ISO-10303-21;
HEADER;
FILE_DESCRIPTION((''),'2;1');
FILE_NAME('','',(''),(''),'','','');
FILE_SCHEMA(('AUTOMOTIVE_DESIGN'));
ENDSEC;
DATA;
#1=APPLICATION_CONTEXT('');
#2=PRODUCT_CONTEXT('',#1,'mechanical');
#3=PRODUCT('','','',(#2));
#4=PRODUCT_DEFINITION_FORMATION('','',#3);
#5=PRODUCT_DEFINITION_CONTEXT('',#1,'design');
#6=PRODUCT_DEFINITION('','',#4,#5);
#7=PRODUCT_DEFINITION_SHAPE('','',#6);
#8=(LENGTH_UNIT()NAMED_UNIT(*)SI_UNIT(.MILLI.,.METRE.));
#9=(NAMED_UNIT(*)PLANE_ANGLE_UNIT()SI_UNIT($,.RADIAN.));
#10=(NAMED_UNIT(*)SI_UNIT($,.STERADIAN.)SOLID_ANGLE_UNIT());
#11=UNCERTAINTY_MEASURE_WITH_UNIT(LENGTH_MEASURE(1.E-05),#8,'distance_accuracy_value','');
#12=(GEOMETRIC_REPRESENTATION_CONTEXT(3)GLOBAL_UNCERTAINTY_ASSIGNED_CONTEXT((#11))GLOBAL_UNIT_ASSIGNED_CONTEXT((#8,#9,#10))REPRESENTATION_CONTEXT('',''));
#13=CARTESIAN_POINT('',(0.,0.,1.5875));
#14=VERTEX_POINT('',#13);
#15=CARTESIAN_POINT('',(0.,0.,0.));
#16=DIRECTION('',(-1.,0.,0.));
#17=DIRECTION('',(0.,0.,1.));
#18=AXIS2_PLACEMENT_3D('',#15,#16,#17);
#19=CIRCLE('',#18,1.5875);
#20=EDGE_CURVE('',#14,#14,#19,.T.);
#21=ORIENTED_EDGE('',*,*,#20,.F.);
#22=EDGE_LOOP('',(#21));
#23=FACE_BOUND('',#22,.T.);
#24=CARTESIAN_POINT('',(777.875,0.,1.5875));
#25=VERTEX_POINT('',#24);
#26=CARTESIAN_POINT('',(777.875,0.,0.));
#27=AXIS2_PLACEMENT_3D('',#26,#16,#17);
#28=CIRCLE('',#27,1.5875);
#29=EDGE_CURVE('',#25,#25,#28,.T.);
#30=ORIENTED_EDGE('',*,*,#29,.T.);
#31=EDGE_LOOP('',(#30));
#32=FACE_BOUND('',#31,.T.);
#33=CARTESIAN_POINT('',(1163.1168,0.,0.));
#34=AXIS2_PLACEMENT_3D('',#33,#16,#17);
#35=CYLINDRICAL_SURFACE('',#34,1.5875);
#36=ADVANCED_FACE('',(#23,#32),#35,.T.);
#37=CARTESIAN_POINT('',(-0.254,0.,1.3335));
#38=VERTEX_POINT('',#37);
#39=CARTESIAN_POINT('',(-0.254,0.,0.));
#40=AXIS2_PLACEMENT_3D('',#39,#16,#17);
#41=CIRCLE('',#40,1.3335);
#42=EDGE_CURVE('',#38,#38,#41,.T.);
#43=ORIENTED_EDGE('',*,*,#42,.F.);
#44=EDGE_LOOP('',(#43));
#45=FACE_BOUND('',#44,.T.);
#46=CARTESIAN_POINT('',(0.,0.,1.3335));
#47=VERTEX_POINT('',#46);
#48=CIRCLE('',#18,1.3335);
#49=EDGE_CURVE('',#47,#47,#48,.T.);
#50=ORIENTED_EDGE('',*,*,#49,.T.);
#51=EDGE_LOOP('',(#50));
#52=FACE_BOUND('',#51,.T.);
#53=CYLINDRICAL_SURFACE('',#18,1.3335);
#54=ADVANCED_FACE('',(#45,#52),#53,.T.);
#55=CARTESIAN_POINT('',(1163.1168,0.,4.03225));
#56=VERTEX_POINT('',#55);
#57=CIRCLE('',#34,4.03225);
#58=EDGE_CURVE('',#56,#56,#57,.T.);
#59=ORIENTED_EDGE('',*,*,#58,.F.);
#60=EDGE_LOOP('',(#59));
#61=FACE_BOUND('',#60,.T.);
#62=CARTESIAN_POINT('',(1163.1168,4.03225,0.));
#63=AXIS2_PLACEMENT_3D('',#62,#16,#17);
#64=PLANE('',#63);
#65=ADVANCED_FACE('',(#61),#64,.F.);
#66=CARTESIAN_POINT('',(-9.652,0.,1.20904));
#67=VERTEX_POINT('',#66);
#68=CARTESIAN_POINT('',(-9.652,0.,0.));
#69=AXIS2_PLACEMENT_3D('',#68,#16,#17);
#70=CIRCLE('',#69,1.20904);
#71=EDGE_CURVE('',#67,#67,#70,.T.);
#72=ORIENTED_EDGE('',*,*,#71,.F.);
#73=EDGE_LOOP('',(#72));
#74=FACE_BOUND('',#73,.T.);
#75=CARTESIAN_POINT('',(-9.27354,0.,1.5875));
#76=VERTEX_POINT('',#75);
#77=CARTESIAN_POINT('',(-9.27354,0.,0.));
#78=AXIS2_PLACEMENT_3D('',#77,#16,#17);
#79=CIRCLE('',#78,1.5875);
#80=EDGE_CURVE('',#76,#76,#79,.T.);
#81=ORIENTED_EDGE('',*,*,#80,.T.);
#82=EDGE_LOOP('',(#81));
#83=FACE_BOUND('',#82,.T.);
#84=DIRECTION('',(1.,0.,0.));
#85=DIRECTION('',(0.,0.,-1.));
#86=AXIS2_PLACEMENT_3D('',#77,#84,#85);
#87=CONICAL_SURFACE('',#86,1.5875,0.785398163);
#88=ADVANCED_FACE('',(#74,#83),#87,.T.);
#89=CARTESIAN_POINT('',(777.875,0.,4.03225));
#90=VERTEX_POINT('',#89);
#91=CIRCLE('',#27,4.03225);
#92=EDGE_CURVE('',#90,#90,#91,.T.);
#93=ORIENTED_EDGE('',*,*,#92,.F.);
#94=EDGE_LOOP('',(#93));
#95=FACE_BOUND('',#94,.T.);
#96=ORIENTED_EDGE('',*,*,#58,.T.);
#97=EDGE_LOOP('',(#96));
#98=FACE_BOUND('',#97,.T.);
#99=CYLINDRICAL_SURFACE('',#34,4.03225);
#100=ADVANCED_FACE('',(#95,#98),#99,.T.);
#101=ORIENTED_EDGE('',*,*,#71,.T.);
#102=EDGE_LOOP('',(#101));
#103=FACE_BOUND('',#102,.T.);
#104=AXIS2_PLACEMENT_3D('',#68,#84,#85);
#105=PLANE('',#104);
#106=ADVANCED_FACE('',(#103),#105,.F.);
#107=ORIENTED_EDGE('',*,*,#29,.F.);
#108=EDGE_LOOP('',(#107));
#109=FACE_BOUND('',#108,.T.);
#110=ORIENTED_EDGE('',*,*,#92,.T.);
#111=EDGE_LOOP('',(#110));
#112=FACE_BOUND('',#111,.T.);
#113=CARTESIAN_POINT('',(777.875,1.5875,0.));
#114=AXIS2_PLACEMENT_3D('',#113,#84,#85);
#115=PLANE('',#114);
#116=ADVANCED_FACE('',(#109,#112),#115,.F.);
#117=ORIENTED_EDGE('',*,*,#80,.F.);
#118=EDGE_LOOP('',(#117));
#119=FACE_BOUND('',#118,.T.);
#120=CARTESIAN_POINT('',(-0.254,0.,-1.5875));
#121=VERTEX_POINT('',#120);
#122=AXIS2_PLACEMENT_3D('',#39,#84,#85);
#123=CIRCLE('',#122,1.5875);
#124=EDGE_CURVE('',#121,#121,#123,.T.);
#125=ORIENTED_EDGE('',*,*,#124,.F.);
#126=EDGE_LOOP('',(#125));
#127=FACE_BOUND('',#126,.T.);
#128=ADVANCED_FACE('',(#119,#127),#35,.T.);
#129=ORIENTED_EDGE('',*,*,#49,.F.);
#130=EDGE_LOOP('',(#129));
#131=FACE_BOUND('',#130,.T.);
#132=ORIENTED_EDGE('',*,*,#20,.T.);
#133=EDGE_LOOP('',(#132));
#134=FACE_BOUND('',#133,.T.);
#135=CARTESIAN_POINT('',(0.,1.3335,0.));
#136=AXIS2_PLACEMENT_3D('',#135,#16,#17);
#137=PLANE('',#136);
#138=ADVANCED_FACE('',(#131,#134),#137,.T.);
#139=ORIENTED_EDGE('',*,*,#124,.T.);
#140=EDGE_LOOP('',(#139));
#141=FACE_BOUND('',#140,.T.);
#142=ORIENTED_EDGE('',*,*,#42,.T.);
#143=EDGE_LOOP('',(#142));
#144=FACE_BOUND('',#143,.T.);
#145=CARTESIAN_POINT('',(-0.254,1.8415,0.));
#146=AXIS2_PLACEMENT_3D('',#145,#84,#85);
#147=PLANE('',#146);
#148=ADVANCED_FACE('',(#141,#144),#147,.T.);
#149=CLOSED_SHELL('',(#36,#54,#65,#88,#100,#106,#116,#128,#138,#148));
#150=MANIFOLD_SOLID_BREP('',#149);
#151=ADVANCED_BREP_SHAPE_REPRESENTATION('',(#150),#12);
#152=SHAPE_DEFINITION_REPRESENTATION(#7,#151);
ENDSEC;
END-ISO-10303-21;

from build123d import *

# Parameters (mm, degrees)
SKETCH3_W = 0.254
SKETCH3_H = 0.508


with BuildPart() as part:
    # Sketch1 → Revolve1 (revolve)
    with BuildSketch(Plane.XY):
        Polygon((0, 0), (0, 1.5875), (777.875, 1.5875), (777.875, 4.03225), (1163.1168, 4.03225), (1163.1168, 0), align=None)
    revolve(axis=Axis((1163.1168, 0, 0), (-1, 0, 0)))

    # Sketch2 → Revolve2 (revolve)
    with BuildSketch(Plane.XY):
        Polygon((-9.652, 0), (-9.652, 1.20904), (-9.27354, 1.5875), (0, 1.5875), (0, 0), align=None)
    revolve(axis=Axis((0, 0, 0), (-1, 0, 0)))

    # Sketch3 → Cut-Revolve1 (revolve, cut)
    with BuildSketch(Plane.XY):
        with Locations((-0.127, 1.5875)):
            Rectangle(SKETCH3_W, SKETCH3_H)
    revolve(axis=Axis((0, 0, 0), (-1, 0, 0)), mode=Mode.SUBTRACT)


solid = part.part
